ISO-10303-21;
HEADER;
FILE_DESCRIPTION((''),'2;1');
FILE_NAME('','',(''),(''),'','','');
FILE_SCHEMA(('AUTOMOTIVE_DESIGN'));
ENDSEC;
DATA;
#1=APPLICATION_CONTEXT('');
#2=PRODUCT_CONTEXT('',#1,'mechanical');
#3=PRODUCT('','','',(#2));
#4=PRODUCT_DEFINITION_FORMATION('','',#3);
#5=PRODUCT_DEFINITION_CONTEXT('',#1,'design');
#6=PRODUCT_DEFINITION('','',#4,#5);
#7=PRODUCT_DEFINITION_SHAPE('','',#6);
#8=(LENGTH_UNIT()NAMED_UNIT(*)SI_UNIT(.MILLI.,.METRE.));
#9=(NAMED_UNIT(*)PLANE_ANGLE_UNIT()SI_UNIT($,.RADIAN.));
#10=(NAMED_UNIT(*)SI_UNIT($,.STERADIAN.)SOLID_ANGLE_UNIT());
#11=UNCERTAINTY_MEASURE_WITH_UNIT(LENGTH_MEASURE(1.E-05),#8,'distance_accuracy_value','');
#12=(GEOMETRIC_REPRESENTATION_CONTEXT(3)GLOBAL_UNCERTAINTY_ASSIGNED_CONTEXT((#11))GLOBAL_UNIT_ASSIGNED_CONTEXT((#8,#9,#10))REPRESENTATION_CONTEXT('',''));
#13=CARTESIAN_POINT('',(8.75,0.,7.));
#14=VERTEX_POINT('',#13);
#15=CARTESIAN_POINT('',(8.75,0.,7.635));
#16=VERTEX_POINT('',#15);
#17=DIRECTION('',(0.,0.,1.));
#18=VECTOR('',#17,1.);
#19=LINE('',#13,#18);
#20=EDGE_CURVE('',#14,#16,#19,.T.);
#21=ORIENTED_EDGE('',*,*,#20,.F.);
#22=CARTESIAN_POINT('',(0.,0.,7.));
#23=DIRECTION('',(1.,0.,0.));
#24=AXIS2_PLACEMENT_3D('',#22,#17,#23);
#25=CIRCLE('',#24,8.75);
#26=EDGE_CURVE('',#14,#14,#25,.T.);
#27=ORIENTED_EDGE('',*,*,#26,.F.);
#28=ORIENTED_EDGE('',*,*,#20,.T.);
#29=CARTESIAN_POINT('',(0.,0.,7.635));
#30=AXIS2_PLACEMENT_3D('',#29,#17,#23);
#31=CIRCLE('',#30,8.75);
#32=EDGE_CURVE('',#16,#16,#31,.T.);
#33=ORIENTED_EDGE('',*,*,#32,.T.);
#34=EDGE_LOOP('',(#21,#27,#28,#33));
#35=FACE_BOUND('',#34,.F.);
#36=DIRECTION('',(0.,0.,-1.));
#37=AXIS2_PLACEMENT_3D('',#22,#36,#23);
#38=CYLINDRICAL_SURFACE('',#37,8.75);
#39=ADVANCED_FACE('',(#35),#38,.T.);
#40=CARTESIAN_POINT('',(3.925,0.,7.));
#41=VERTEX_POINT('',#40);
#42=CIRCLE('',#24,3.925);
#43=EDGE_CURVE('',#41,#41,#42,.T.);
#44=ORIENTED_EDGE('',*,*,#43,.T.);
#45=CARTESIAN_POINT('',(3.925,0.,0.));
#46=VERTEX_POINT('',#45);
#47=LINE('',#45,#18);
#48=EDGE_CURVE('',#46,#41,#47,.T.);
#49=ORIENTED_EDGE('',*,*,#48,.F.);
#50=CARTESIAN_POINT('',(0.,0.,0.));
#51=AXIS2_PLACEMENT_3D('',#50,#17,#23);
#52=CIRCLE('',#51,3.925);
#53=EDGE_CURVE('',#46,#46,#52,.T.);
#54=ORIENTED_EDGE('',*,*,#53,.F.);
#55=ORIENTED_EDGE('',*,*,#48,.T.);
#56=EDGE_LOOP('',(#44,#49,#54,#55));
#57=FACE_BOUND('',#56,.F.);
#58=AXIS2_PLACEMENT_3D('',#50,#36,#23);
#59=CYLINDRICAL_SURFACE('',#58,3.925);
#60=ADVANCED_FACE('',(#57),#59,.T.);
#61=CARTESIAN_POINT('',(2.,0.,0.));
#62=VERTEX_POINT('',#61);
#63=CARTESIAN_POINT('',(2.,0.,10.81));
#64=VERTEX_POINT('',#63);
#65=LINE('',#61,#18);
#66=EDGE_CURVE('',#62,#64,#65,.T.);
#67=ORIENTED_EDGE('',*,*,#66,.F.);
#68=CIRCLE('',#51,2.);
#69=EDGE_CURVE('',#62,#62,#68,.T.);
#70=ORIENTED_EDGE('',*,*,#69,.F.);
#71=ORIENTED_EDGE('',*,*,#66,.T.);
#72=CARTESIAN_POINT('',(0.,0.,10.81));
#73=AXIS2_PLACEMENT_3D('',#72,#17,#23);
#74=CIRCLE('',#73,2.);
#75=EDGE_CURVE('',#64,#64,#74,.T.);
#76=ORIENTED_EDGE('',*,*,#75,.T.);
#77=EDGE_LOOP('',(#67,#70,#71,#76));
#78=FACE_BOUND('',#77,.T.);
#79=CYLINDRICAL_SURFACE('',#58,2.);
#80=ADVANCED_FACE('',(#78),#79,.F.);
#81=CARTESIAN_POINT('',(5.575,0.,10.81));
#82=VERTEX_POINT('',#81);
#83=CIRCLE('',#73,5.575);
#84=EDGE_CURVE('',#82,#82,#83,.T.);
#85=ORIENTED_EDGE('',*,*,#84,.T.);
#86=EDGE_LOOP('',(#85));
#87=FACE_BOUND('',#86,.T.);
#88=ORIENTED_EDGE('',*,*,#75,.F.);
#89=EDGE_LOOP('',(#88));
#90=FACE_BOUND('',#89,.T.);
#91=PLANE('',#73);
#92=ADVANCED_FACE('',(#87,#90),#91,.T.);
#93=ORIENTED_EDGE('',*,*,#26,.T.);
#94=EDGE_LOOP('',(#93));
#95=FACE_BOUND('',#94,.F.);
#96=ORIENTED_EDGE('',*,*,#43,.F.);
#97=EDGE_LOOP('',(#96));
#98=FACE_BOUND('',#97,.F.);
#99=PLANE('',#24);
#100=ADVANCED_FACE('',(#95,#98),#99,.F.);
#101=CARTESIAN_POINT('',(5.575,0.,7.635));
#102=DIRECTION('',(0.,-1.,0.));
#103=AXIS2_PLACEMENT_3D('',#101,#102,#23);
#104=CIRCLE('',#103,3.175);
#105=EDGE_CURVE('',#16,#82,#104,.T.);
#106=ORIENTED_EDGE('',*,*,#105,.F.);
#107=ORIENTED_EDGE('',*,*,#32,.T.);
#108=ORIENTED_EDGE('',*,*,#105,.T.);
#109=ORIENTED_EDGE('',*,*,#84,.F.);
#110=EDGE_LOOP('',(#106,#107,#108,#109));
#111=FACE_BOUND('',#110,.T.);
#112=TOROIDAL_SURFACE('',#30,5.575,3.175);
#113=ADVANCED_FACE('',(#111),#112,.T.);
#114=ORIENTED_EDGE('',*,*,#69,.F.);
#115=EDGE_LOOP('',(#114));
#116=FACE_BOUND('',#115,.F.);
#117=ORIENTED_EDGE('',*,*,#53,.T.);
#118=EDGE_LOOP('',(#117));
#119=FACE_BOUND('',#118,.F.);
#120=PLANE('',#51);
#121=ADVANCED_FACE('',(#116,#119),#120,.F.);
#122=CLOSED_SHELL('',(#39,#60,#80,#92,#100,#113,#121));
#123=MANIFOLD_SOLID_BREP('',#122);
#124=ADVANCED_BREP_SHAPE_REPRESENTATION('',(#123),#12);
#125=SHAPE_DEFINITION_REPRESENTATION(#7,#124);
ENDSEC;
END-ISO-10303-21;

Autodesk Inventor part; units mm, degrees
ref_plane "YZ Plane" through (0, 0, 0) normal (1, 0, 0) x (0, 1, 0)
ref_plane "XZ Plane" through (0, 0, 0) normal (0, 1, 0) x (-1, 0, 0)
ref_plane "XY Plane" through (0, 0, 0) normal (0, 0, 1) x (1, 0, 0)
sketch "Sketch1" plane through (0, 0, 0) normal (0, 0, 1) x (1, 0, 0)
  circle A0 centre (0, 0) radius 3.925
  circle A1 centre (0, 0) radius 2
  dimension "d0" = 7.85
  dimension "d1" = 4
extrude "Extrusion1" add sketch "Sketch1" along normal blind 7
sketch "Sketch2" plane through (0, 0, 7) normal (0, 0, 1) x (1, 0, 0)
  circle A0 centre (0, 0) radius 8.75
  circle A1 centre (0, 0) radius 2 projected
  dimension "d4" = 17.5
extrude "Extrusion2" add sketch "Sketch2" along normal blind 3.81
fillet "Fillet1" radius 3.175 1 edges at (-8.75, 0, 10.81)
properties part number "ball bearing connector"
